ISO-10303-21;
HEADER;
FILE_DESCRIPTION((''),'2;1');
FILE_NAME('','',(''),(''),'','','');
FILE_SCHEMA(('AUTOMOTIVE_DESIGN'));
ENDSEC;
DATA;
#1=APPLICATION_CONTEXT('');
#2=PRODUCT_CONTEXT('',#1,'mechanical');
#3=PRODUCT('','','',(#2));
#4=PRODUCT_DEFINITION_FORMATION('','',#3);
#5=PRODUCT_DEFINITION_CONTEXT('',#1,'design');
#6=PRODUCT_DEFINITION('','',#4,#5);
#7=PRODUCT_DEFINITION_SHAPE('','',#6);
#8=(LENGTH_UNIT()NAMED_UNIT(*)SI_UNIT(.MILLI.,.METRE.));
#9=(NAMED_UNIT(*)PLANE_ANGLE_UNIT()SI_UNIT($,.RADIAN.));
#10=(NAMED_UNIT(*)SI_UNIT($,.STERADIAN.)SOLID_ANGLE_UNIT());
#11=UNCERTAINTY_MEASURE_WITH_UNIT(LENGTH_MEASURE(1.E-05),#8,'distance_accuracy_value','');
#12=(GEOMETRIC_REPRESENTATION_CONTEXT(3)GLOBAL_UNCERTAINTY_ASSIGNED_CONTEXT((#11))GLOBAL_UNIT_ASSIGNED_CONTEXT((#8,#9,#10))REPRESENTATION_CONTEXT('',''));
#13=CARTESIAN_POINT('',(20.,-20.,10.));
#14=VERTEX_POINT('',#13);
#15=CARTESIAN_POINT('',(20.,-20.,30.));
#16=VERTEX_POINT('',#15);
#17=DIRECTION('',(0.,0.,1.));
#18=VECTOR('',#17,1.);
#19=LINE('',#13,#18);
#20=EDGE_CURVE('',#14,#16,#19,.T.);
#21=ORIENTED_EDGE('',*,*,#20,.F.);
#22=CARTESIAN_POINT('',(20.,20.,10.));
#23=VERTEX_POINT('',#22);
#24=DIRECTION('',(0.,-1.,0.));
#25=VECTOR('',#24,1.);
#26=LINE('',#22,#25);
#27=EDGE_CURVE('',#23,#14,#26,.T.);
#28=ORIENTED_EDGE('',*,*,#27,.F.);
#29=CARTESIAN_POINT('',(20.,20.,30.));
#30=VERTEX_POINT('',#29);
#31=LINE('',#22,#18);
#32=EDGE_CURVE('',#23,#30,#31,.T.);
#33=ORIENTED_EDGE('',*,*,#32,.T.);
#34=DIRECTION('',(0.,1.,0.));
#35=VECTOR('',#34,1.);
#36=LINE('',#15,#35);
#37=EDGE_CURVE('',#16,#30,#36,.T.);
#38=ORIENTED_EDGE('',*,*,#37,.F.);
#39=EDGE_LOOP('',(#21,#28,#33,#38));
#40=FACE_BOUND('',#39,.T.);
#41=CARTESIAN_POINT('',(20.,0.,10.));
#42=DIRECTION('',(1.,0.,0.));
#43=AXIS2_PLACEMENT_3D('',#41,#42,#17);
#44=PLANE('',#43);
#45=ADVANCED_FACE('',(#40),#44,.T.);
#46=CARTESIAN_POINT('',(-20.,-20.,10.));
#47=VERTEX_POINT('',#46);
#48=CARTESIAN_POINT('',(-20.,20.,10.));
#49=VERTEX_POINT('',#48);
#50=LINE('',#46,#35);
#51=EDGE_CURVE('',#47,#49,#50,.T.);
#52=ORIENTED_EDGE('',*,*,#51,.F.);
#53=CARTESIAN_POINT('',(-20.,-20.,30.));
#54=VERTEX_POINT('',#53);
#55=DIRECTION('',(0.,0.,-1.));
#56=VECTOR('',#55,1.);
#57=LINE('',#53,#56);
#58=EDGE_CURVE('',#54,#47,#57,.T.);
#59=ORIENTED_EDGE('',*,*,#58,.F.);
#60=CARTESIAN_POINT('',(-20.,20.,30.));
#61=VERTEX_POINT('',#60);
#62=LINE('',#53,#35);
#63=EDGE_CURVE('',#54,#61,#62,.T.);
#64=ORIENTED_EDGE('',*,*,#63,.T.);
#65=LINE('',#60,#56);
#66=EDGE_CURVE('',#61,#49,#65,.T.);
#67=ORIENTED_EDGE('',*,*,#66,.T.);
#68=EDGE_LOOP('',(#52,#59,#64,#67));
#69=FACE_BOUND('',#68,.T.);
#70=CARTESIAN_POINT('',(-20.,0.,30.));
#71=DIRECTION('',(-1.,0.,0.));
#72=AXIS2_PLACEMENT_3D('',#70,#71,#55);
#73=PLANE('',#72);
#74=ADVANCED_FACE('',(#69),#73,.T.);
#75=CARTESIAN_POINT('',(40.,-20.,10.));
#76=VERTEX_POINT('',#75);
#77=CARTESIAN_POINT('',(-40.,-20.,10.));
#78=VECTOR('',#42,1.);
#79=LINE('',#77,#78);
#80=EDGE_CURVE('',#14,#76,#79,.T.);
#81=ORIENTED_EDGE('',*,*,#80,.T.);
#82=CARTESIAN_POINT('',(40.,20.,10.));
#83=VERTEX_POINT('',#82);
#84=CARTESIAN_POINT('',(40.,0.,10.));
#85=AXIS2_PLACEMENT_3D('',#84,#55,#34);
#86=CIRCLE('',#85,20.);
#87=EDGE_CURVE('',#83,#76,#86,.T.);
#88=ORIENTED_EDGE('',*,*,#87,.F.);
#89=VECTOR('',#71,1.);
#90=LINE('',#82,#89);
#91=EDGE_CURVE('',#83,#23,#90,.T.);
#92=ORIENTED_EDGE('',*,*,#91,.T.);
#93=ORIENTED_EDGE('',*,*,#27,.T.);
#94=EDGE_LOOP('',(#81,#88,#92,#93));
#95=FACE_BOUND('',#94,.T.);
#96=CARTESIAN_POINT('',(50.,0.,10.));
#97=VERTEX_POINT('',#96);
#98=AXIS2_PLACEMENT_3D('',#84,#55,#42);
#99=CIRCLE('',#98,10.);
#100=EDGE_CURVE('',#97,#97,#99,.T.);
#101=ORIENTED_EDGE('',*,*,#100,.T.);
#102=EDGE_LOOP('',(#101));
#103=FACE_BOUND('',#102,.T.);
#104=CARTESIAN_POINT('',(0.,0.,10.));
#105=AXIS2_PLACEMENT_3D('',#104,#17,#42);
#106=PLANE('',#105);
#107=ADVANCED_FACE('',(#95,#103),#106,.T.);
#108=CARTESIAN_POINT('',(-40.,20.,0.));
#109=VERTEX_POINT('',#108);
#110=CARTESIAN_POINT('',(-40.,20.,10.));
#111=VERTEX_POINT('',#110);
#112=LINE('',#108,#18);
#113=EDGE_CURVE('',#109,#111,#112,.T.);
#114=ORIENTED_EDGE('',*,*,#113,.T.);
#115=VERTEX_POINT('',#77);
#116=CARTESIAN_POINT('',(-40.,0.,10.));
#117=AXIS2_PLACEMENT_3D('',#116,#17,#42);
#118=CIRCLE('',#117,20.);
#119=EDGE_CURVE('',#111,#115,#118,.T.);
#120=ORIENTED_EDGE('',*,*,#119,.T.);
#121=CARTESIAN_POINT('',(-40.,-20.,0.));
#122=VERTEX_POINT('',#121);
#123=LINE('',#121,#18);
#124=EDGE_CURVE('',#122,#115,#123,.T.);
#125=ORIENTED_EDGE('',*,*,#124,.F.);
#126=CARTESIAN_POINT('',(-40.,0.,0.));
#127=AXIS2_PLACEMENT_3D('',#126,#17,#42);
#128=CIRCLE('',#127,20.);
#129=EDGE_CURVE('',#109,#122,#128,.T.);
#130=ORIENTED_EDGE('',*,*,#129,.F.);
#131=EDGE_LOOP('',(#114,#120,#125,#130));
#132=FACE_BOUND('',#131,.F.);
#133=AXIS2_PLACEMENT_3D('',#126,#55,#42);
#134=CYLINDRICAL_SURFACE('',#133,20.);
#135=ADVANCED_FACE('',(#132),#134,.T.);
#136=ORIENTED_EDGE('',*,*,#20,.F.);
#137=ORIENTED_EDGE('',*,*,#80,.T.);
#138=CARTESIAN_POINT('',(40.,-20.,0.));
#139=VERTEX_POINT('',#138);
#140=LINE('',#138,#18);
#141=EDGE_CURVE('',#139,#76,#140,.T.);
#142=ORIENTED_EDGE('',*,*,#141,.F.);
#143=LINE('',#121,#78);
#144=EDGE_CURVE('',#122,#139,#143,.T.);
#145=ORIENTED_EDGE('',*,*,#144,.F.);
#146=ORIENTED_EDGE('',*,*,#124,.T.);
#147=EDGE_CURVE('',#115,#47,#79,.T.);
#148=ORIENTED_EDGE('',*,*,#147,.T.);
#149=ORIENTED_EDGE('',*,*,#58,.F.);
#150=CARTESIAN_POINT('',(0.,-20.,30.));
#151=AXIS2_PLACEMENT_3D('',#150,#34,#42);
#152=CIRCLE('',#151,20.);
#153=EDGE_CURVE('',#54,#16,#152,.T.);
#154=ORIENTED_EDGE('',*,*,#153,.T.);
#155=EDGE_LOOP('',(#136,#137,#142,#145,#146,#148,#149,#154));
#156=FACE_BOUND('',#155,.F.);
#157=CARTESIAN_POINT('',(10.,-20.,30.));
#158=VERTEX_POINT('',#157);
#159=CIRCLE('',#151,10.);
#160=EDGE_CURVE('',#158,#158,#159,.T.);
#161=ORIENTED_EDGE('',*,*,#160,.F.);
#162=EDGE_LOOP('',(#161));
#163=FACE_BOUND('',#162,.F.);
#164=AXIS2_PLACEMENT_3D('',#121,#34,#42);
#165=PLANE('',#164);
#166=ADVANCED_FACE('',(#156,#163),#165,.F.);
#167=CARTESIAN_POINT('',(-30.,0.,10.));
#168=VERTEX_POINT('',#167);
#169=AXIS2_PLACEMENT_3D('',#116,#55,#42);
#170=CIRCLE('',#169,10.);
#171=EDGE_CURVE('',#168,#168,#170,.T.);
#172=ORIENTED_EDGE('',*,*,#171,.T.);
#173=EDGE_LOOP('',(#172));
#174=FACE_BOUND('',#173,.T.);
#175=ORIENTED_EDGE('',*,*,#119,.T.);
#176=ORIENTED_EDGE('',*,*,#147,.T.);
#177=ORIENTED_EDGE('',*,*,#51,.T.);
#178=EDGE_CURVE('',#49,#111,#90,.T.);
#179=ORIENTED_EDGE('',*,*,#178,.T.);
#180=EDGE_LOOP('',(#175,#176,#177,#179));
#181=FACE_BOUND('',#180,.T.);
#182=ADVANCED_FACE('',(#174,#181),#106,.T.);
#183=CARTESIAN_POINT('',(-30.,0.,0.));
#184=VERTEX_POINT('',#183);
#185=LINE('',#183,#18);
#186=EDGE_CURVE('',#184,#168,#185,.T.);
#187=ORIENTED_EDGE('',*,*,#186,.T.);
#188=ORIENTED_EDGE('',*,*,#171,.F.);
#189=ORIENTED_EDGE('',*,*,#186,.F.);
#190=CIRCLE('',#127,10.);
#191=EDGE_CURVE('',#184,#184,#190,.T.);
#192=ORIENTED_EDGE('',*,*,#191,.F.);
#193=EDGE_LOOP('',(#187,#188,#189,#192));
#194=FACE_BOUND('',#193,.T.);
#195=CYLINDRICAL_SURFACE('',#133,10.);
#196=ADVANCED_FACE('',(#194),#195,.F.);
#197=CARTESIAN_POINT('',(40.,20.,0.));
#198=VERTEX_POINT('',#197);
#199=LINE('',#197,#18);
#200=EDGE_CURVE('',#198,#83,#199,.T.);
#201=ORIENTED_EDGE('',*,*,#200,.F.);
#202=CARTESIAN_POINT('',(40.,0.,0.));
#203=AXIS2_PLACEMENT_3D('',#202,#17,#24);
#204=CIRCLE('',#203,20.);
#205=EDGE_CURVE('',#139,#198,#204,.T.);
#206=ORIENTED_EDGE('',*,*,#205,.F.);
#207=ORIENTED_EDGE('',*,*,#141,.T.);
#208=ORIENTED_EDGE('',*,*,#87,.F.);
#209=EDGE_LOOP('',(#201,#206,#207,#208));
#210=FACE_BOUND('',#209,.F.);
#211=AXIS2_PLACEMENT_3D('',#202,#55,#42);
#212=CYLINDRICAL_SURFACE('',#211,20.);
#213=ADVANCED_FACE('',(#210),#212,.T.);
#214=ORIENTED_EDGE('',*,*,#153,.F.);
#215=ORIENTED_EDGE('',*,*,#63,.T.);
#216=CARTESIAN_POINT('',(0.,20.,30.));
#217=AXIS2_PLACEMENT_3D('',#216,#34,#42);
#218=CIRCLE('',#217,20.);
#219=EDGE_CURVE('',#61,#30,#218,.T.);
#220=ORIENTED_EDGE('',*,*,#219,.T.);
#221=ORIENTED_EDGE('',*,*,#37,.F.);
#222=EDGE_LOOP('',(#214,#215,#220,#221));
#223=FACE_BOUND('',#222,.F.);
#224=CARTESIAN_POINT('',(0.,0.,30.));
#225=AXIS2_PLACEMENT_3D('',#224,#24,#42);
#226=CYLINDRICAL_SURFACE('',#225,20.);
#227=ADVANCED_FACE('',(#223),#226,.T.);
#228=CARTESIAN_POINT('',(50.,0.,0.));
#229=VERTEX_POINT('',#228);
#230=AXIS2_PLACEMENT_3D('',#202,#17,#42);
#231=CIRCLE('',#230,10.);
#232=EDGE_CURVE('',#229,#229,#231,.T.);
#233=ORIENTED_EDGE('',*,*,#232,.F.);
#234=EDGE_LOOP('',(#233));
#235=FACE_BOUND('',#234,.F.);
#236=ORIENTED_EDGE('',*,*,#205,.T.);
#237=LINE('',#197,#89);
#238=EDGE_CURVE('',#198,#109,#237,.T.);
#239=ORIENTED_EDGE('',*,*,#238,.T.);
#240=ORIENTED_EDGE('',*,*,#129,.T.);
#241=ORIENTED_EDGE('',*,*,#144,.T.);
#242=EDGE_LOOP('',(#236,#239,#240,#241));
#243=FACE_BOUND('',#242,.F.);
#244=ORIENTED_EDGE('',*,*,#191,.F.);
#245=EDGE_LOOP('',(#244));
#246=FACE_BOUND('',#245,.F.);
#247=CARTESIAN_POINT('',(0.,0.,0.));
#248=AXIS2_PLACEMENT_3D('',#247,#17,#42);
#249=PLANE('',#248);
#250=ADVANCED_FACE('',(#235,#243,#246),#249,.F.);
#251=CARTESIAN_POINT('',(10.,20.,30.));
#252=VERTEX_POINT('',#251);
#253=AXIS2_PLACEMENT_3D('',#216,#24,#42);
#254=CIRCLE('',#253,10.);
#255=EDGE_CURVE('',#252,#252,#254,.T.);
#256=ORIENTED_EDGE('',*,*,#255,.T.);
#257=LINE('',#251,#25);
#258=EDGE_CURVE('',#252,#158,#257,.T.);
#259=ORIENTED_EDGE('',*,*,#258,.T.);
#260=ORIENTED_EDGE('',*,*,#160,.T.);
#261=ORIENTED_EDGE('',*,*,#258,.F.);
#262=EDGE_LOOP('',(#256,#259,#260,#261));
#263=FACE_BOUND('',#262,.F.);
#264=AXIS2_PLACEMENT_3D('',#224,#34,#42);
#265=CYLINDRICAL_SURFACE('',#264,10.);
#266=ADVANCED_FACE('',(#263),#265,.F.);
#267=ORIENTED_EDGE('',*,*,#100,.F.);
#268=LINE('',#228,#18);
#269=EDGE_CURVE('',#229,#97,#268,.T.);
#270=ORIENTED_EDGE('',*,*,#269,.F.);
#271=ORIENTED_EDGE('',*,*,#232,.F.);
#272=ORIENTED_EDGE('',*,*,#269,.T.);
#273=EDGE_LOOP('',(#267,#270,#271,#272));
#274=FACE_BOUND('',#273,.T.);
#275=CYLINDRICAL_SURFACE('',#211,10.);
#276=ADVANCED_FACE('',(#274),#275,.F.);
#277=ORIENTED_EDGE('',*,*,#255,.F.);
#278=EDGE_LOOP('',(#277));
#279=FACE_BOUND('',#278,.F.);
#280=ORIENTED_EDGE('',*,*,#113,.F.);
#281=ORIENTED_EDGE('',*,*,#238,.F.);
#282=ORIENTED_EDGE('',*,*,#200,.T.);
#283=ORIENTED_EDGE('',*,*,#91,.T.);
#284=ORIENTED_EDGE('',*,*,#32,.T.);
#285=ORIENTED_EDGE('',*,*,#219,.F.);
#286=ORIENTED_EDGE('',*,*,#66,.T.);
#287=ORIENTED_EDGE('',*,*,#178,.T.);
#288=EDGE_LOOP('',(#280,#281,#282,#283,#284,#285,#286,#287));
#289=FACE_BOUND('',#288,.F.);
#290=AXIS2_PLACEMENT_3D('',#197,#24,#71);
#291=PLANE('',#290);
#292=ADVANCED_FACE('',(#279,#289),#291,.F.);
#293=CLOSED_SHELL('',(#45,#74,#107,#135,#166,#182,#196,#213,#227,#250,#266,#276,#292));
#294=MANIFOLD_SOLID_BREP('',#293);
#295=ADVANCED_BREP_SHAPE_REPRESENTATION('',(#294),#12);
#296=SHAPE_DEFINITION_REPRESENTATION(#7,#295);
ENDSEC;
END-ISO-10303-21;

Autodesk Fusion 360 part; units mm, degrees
sketch "Sketch1" plane through (0, 0, 0) normal (0, 0, 1) x (1, 0, 0)
  line L0 (40, 20) -> (-40, 20)
  line L1 (-40, 20) -> (-40, -20)
  line L2 (-40, -20) -> (40, -20)
  line L3 (40, -20) -> (40, 20)
  line L4 (40, 20) -> (-40, -20) construction
  line L5 (-40, 20) -> (40, -20) construction
  line L6 (-20, 20) -> (-20, -20) construction
  line L7 (20, 20) -> (20, -20) construction
  circle A0 centre (40, 0) radius 20
  circle A1 centre (40, 0) radius 10
  circle A2 centre (-40, 0) radius 10
  circle A3 centre (-40, 0) radius 20
  dimension "d1" = 80
  dimension "d2" = 40
  dimension "d3" = 40
  dimension "d4" = 20
  dimension "d5" = 40
  dimension "d6" = 20
  dimension "d7" = 20
  dimension "d8" = 40
extrude "Extrude1" add sketch "Sketch1" along normal blind 10 contours L0 L2 A0 A3 | L3 A0 A1 | L3 A0 A1 | L1 A2 A3 | L1 A2 A3
sketch "Sketch2" plane through (0, 0, 0) normal (0, 1, 0) x (1, 0, 0)
  line L0 (-40, -10) -> (-20, -10) construction
  line L1 (-20, -10) -> (20, -10)
  line L2 (20, -10) -> (20, -30)
  line L3 (20, -30) -> (-20, -30)
  line L4 (-20, -30) -> (-20, -10)
  circle A0 centre (0, -30) radius 10
  circle A1 centre (0, -30) radius 20
  dimension "d11" = 20
  dimension "d12" = 40
  dimension "d13" = 20
  dimension "d14" = 20
  dimension "d15" = 40
extrude "Extrude2" add sketch "Sketch2" along normal mid plane 40 contours L1 L4 A1 | L1 L2 A1 | L3 A0 A1 | L3 A0 A1
